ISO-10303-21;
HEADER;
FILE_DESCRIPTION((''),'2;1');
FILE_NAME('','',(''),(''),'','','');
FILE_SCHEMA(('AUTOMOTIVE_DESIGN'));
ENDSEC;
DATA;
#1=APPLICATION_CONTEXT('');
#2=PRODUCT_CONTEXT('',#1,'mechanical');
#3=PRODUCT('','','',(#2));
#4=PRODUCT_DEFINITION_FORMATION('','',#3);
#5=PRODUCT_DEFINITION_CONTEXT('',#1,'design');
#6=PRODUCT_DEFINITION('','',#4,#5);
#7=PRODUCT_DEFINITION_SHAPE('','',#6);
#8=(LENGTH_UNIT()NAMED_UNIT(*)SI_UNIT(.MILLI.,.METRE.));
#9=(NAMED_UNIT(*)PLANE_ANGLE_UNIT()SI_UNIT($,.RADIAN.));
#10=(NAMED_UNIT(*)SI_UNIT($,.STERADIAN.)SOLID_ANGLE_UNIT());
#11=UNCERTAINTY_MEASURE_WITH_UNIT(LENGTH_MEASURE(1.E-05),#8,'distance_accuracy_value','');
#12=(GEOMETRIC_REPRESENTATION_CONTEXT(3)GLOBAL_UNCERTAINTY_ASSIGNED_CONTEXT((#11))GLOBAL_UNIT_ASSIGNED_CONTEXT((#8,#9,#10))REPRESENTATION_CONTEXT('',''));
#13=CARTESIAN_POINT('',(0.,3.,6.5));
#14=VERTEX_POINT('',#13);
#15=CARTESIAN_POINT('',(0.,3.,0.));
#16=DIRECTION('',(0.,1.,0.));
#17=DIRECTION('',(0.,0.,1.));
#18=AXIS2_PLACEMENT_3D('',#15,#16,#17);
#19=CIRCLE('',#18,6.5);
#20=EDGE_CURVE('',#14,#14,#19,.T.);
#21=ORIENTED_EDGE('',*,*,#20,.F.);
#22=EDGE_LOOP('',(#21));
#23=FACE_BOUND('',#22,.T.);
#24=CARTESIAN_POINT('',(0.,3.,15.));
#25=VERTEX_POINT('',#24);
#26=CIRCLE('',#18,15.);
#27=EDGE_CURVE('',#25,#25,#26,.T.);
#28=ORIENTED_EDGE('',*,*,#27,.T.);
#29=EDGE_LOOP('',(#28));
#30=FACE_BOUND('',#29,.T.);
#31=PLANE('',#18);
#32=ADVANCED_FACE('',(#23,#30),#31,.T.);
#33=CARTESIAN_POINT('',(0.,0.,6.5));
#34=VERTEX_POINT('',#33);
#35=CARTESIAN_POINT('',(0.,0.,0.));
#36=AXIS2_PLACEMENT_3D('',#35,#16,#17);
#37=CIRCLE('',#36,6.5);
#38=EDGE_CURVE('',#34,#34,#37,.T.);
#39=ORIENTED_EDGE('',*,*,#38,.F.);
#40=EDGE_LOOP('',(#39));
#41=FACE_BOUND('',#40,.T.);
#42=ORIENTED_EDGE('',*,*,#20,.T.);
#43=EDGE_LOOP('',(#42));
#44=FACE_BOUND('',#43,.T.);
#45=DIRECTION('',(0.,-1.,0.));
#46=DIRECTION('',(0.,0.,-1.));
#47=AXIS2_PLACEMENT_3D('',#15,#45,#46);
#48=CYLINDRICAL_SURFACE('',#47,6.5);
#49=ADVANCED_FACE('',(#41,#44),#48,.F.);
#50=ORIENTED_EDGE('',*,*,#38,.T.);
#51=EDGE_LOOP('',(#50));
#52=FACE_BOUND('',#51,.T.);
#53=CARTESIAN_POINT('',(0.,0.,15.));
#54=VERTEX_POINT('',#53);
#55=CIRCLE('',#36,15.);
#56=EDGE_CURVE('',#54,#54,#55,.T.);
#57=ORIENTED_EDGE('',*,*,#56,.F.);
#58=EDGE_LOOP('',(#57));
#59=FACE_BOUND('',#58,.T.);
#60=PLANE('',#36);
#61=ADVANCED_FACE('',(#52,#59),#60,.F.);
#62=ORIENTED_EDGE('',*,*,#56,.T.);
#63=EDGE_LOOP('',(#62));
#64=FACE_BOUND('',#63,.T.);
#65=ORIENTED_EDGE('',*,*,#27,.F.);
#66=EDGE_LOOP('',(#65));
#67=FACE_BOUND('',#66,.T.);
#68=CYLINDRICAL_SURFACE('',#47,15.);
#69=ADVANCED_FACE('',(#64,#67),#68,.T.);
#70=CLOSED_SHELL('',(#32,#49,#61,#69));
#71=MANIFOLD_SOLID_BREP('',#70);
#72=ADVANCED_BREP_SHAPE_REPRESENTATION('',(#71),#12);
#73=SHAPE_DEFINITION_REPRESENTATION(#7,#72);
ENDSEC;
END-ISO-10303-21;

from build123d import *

# Parameters (mm, degrees)
SKETCH_1_R      = 15
SKETCH_1_R_2    = 6.5
EXTRUDE_1_DEPTH = 3


with BuildPart() as part:
    # Эскиз1 → Бобышка-Вытянуть1 (new body)
    with BuildSketch(Plane(origin=(0, 0, 0), x_dir=(1, 0, 0), z_dir=(0, 1, 0))):
        with Locations(Location((0, 0, 0), (0, 0, 270))):
            Circle(SKETCH_1_R)
        with Locations(Location((0, 0, 0), (0, 0, 270))):
            Circle(SKETCH_1_R_2, mode=Mode.SUBTRACT)
    extrude(amount=EXTRUDE_1_DEPTH)


solid = part.part
